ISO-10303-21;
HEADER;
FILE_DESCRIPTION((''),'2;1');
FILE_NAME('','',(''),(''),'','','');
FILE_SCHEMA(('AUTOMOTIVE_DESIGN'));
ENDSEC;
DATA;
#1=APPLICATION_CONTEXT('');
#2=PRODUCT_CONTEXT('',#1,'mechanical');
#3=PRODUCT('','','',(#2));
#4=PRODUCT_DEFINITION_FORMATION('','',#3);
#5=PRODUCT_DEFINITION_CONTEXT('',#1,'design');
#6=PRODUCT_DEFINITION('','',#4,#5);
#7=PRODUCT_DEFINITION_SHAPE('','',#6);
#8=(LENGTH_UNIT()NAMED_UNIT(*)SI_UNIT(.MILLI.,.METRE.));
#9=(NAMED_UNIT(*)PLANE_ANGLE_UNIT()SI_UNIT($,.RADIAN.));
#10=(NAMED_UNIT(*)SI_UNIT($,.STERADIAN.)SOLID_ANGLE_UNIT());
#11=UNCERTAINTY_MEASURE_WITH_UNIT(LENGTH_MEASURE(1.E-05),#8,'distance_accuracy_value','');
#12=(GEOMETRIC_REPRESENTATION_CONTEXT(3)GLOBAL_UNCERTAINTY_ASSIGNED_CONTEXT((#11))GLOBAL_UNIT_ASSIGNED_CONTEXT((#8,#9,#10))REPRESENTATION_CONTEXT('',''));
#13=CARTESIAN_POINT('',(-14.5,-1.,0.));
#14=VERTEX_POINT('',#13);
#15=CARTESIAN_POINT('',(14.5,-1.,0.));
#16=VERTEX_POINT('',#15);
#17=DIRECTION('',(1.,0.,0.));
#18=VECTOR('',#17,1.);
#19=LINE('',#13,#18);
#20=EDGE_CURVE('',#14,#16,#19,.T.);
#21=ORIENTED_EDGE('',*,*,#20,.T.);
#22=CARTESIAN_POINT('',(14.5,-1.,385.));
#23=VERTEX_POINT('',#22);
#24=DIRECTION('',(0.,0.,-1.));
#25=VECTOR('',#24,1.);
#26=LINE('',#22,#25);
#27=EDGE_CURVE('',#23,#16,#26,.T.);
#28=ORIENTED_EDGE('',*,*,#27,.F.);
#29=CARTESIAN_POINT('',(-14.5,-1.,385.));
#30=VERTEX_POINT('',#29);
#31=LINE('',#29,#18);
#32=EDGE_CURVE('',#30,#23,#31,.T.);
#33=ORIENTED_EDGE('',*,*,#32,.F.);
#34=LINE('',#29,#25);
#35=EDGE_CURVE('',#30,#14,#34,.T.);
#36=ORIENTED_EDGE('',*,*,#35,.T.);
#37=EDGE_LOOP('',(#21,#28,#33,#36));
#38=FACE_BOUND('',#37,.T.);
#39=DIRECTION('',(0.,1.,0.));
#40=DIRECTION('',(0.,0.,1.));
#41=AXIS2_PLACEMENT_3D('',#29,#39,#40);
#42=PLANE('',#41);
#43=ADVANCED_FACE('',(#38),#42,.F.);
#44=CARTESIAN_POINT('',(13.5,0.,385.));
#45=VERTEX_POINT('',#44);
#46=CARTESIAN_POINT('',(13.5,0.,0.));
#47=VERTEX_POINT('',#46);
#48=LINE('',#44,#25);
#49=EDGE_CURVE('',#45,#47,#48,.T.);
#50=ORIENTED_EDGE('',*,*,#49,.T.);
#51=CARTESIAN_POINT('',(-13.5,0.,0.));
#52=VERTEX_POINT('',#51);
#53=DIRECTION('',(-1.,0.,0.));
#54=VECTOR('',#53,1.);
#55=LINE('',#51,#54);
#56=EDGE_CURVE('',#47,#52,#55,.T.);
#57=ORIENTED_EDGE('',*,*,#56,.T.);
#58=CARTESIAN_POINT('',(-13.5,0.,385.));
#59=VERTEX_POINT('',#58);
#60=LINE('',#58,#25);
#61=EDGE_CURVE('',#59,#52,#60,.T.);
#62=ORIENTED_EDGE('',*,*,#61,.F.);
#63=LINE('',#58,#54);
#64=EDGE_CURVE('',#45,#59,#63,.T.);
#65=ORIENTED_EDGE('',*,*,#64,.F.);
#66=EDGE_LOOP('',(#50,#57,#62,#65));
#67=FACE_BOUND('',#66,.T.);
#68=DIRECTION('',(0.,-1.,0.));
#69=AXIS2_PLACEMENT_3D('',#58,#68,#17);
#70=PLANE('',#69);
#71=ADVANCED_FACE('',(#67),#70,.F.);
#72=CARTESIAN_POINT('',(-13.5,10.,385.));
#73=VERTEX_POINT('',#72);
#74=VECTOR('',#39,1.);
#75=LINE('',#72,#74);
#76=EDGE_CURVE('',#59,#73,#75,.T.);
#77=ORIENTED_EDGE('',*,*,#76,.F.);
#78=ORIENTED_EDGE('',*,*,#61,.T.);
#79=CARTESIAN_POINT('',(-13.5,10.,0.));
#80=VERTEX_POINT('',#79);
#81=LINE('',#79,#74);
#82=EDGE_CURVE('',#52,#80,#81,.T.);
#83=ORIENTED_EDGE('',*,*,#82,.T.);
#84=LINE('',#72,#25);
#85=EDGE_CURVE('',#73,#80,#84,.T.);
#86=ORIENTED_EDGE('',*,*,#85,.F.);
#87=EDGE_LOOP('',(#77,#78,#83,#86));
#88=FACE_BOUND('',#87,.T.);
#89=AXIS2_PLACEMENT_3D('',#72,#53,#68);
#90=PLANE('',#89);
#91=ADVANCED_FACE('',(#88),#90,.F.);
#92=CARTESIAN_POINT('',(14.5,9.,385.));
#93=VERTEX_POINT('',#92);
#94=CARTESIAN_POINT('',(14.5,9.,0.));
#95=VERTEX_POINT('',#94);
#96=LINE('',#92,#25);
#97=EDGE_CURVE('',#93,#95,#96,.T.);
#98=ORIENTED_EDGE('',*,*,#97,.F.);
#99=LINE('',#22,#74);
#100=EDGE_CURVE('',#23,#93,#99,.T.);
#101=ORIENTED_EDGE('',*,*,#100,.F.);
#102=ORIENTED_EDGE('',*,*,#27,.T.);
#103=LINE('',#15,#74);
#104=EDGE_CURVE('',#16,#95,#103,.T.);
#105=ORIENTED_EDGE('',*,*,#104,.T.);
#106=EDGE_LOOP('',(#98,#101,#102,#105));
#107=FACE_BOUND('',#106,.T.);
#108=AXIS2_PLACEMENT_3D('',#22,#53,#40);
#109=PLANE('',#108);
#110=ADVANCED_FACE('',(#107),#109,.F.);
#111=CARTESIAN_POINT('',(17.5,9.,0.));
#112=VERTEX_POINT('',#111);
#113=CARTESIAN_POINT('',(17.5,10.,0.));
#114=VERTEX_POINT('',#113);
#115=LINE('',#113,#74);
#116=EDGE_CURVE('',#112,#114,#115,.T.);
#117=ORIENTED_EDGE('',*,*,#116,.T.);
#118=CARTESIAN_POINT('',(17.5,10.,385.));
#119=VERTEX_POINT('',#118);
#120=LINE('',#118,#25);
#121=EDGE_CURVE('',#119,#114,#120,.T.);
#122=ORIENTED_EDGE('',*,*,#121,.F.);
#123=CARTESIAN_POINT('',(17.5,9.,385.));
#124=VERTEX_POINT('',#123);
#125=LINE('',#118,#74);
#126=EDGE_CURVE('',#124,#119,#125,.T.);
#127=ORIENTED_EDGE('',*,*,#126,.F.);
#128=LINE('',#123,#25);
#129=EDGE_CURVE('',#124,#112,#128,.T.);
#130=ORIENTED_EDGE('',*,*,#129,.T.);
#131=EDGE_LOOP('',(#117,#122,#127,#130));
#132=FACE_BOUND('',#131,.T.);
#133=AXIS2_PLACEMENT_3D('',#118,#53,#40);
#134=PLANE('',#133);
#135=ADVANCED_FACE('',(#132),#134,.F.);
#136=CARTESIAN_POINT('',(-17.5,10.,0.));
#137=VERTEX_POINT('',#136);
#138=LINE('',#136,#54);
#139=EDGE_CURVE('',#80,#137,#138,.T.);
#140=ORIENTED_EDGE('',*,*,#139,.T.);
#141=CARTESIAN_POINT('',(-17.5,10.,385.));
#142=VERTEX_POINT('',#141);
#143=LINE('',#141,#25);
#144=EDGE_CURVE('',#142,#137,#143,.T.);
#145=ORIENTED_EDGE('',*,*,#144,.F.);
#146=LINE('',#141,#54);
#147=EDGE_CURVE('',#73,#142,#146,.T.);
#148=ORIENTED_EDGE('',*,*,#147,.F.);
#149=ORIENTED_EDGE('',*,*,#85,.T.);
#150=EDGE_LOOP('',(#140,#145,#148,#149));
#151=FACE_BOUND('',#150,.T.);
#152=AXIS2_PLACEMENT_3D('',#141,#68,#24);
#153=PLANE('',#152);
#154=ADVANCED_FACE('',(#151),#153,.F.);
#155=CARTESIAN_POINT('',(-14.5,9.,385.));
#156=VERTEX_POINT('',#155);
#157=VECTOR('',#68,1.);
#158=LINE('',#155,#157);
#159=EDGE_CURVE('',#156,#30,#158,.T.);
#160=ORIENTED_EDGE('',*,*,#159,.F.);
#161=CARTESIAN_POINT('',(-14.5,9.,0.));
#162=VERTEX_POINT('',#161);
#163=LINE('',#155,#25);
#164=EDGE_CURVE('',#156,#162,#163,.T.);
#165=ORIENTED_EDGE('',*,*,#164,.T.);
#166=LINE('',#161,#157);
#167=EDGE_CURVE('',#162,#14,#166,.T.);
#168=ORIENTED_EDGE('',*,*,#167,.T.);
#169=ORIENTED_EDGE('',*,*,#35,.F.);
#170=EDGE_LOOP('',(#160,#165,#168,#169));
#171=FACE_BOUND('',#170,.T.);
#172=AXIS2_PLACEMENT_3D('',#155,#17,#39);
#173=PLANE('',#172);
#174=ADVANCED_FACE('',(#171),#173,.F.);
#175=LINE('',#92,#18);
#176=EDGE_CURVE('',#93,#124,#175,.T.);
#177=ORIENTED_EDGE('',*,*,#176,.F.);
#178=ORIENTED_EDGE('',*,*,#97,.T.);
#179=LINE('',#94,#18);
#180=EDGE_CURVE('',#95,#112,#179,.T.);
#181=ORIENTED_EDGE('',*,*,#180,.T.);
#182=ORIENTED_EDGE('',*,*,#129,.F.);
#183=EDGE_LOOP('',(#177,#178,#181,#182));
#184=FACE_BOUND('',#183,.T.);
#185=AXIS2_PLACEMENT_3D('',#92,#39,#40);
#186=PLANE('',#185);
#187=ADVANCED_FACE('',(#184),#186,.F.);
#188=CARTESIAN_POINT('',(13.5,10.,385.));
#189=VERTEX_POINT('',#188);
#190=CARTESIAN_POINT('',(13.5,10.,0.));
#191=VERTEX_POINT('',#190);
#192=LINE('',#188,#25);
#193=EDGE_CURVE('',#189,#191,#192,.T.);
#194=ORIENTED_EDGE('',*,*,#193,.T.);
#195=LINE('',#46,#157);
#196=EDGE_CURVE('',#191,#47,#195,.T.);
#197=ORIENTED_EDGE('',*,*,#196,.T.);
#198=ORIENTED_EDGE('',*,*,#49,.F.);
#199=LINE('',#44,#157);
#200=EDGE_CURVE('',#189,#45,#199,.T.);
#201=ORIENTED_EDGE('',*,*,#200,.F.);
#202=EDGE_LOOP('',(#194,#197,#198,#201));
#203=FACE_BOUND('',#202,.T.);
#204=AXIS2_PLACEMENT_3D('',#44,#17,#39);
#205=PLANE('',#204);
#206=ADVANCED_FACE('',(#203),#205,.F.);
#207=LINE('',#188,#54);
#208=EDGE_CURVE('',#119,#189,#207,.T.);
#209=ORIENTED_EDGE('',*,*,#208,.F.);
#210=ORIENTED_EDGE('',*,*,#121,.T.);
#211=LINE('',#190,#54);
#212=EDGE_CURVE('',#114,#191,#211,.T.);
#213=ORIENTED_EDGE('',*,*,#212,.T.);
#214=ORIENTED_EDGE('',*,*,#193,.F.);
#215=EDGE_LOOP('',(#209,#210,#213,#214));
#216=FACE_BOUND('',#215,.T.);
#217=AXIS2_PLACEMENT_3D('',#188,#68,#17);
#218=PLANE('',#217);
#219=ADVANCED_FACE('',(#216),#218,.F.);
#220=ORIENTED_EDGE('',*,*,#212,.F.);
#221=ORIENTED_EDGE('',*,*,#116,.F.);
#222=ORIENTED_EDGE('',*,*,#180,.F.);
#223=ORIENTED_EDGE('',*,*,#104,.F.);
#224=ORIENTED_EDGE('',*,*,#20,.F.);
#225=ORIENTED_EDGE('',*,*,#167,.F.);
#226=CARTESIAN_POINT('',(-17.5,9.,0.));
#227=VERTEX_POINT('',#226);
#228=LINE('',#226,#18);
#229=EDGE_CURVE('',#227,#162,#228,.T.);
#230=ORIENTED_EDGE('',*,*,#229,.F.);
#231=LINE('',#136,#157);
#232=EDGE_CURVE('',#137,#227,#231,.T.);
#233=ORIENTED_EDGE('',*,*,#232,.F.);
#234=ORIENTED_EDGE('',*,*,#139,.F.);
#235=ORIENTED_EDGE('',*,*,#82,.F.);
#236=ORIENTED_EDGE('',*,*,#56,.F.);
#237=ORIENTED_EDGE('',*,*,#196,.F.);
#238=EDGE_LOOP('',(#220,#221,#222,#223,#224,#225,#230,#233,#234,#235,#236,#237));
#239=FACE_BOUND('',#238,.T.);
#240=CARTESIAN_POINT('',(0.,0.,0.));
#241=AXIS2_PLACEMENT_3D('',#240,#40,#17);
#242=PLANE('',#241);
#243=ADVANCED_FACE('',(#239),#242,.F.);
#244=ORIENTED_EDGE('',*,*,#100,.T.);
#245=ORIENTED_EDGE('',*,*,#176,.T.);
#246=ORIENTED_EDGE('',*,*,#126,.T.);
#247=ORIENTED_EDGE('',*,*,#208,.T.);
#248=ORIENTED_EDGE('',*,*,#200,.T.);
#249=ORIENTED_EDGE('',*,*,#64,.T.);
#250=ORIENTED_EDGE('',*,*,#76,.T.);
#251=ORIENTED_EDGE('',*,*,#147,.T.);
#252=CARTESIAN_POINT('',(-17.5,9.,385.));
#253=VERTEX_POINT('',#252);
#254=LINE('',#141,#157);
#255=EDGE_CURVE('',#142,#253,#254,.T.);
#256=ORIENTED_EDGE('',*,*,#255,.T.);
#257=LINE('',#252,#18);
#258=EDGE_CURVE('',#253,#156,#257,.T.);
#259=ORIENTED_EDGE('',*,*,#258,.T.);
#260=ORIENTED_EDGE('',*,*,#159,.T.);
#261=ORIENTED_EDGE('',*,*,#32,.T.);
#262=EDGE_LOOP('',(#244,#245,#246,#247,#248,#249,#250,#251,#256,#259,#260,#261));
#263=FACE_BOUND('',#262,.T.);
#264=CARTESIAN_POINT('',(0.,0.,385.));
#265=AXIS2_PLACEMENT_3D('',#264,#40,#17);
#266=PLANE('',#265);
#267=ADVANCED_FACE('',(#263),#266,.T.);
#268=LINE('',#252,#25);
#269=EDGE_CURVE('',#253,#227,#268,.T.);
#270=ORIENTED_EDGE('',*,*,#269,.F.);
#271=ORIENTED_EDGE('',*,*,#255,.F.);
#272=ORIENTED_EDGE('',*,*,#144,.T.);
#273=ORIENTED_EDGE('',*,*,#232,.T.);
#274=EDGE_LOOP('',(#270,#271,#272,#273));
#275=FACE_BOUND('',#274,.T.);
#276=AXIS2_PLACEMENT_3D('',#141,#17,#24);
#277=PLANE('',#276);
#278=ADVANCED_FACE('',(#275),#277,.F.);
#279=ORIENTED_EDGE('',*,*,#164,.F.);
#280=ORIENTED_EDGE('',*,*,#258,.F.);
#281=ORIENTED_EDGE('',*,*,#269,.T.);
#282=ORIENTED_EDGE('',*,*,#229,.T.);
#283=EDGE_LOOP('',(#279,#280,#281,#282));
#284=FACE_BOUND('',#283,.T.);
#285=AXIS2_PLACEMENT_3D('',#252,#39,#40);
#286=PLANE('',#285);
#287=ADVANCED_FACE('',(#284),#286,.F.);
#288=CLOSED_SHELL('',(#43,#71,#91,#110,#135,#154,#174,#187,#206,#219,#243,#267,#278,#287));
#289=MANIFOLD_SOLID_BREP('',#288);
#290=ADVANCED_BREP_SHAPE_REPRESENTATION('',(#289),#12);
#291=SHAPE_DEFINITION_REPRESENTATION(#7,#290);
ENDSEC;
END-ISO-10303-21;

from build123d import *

# Parameters (mm, degrees)
BOSS_EXTRUDE1_DEPTH = 385


with BuildPart() as part:
    # Sketch1 → Boss-Extrude1 (new body)
    with BuildSketch(Plane.XY):
        Polygon((-17.5, 10), (-13.5, 10), (-13.5, 0), (13.5, 0), (13.5, 10), (17.5, 10), (17.5, 9), (14.5, 9), (14.5, -1), (-14.5, -1), (-14.5, 9), (-17.5, 9), align=None)
    extrude(amount=BOSS_EXTRUDE1_DEPTH)


solid = part.part
